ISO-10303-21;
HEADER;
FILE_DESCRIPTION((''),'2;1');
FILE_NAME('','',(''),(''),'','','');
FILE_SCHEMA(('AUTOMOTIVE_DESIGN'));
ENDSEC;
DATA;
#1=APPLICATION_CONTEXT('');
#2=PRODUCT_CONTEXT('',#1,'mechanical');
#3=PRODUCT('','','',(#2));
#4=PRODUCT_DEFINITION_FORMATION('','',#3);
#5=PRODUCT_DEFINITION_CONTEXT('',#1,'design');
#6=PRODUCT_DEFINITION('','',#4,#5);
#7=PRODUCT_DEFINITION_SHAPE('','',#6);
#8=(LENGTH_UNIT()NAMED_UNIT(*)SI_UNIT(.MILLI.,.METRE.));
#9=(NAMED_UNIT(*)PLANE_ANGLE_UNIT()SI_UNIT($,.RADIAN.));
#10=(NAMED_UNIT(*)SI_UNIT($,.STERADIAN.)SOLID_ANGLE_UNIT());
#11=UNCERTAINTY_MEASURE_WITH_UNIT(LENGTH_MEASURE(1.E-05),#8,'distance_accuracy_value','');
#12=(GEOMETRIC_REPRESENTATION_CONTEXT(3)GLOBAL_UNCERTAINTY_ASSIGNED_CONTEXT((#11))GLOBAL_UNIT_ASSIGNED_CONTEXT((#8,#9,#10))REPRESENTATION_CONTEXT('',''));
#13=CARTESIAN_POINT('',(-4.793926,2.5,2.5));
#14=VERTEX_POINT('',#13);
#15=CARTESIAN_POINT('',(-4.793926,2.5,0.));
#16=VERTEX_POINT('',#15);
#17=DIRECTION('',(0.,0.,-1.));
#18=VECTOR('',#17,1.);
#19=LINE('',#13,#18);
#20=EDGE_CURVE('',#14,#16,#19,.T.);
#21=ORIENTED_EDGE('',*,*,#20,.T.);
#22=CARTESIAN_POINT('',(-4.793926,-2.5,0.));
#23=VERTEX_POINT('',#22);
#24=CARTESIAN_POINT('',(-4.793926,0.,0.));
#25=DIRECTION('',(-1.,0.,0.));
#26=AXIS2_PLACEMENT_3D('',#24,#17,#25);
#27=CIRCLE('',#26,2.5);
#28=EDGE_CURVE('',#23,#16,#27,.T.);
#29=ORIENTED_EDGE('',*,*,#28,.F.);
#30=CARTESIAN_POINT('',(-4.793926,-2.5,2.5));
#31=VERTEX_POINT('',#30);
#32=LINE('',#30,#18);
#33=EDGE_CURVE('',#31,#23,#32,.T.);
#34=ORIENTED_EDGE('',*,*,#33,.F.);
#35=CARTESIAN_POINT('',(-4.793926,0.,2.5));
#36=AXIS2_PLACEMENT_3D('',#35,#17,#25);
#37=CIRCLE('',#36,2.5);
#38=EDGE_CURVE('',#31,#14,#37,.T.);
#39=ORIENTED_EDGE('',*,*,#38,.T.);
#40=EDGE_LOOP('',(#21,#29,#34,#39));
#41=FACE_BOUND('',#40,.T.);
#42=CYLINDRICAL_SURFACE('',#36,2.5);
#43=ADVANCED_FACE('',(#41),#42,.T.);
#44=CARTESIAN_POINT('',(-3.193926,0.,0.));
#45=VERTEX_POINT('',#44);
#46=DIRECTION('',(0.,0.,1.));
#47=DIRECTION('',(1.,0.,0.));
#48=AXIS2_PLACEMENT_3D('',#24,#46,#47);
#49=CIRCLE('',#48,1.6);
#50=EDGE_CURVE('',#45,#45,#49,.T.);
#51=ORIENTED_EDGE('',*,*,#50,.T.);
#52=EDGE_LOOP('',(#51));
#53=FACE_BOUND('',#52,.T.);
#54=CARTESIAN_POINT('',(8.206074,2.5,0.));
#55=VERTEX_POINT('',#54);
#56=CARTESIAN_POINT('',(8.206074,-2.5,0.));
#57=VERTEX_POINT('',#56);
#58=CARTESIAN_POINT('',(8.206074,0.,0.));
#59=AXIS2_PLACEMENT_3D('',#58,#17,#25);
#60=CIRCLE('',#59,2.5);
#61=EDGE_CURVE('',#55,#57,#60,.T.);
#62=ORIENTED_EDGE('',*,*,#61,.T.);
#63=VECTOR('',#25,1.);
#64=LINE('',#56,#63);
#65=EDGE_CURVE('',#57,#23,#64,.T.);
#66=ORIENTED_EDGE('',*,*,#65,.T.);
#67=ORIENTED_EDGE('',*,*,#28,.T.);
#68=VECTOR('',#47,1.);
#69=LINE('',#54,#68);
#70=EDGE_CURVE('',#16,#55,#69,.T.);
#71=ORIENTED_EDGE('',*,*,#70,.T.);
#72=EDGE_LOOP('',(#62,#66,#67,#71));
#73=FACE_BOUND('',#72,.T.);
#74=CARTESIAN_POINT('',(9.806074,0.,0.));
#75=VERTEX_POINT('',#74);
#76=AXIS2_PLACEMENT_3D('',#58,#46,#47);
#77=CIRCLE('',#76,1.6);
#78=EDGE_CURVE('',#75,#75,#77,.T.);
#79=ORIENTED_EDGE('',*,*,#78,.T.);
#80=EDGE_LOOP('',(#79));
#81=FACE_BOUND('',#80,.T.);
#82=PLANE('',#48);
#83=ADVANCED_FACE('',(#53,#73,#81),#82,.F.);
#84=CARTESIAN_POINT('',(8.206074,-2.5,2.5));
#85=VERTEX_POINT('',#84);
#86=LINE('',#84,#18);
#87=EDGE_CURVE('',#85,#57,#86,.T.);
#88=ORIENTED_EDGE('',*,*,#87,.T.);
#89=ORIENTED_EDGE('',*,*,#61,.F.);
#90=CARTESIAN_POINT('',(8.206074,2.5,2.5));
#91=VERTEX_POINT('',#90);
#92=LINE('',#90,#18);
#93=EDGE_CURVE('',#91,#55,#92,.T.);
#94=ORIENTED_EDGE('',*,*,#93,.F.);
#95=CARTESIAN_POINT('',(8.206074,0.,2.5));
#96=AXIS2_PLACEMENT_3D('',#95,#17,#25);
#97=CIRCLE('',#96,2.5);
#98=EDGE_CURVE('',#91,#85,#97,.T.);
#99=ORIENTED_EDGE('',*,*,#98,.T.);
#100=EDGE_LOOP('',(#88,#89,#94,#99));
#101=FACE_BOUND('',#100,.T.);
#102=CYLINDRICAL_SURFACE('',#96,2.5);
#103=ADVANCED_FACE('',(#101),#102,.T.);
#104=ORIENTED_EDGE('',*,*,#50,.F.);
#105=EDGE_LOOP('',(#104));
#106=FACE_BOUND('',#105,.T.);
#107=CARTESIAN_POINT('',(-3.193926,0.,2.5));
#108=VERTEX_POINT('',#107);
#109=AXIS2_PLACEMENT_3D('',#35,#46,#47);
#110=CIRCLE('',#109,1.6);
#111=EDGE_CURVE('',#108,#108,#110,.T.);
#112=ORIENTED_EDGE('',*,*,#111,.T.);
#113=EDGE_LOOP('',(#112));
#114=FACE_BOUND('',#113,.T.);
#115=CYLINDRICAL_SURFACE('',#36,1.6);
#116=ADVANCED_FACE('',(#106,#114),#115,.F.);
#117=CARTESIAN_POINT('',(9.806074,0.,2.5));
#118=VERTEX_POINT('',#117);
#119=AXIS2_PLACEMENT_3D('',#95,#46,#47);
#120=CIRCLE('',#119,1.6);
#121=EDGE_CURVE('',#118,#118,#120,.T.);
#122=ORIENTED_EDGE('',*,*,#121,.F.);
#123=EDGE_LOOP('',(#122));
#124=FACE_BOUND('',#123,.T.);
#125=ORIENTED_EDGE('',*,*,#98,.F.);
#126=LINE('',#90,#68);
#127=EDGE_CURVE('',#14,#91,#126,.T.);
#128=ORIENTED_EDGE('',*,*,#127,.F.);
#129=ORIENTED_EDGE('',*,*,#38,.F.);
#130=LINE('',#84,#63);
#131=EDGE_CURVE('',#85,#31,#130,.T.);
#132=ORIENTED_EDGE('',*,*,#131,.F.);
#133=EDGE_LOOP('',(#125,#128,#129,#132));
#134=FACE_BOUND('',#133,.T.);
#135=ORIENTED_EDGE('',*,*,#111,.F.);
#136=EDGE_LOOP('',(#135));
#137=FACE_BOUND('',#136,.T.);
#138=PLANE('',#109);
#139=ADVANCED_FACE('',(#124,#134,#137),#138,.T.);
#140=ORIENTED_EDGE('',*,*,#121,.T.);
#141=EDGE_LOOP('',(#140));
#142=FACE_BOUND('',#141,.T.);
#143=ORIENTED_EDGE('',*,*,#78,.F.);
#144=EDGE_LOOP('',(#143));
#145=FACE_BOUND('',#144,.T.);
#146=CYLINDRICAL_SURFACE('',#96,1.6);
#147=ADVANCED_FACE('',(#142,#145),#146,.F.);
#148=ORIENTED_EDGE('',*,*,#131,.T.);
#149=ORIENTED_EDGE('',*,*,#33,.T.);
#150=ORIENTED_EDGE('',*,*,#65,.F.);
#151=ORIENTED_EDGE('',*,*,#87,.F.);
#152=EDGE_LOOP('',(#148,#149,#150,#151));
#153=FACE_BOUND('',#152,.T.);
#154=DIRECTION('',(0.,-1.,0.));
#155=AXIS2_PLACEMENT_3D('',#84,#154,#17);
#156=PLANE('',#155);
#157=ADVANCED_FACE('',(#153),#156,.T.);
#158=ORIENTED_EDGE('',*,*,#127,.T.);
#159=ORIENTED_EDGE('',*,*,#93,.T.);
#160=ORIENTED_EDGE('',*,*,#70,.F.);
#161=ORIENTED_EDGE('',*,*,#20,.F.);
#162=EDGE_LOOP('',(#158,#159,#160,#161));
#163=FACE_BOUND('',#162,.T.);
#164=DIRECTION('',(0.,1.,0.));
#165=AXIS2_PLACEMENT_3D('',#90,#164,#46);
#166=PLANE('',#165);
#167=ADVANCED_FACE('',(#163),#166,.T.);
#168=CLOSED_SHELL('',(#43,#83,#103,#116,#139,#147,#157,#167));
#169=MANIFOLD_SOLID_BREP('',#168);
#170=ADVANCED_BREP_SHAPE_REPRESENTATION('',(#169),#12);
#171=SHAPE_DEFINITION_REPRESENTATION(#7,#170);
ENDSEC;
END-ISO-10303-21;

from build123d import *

# Parameters (mm, degrees)
SKETCH_1_R      = 1.6
EXTRUDE_2_DEPTH = 2.5
SKETCH_2_R      = 1.6
EXTRUDE_4_DEPTH = 2.5


with BuildPart() as part:
    # 草图1 → 凸台-拉伸2 (new body)
    with BuildSketch(Plane.XY):
        with BuildLine():
            Line((-4.793926247, 2), (8.206073753, 2))
            ThreePointArc((8.206073753, 2), (10.206073753, 0), (8.206073753, -2))
            Line((8.206073753, -2), (-4.793926247, -2))
            ThreePointArc((-4.793926247, -2), (-6.793926247, 0), (-4.793926247, 2))
        make_face()
        with Locations((-4.793926247, 0)):
            Circle(SKETCH_1_R, mode=Mode.SUBTRACT)
        with Locations((8.206073753, 0)):
            Circle(SKETCH_1_R, mode=Mode.SUBTRACT)
    extrude(amount=EXTRUDE_2_DEPTH)

    # 草图2 → 凸台-拉伸4 (add)
    with BuildSketch(Plane(origin=(0, 0, 0), x_dir=(-1, 0, 0), z_dir=(0, 0, -1))):
        with BuildLine():
            Line((-8.206073753, 2.5), (4.793926247, 2.5))
            ThreePointArc((4.793926247, 2.5), (7.293926247, 0), (4.793926247, -2.5))
            Line((4.793926247, -2.5), (-8.206073753, -2.5))
            ThreePointArc((-8.206073753, -2.5), (-10.706073753, 0), (-8.206073753, 2.5))
        make_face()
        with Locations(Location((4.793926247, 0, 0), (0, 0, 180))):
            Circle(SKETCH_2_R, mode=Mode.SUBTRACT)
        with Locations(Location((-8.206073753, 0, 0), (0, 0, 180))):
            Circle(SKETCH_2_R, mode=Mode.SUBTRACT)
    extrude(amount=-EXTRUDE_4_DEPTH)


solid = part.part
